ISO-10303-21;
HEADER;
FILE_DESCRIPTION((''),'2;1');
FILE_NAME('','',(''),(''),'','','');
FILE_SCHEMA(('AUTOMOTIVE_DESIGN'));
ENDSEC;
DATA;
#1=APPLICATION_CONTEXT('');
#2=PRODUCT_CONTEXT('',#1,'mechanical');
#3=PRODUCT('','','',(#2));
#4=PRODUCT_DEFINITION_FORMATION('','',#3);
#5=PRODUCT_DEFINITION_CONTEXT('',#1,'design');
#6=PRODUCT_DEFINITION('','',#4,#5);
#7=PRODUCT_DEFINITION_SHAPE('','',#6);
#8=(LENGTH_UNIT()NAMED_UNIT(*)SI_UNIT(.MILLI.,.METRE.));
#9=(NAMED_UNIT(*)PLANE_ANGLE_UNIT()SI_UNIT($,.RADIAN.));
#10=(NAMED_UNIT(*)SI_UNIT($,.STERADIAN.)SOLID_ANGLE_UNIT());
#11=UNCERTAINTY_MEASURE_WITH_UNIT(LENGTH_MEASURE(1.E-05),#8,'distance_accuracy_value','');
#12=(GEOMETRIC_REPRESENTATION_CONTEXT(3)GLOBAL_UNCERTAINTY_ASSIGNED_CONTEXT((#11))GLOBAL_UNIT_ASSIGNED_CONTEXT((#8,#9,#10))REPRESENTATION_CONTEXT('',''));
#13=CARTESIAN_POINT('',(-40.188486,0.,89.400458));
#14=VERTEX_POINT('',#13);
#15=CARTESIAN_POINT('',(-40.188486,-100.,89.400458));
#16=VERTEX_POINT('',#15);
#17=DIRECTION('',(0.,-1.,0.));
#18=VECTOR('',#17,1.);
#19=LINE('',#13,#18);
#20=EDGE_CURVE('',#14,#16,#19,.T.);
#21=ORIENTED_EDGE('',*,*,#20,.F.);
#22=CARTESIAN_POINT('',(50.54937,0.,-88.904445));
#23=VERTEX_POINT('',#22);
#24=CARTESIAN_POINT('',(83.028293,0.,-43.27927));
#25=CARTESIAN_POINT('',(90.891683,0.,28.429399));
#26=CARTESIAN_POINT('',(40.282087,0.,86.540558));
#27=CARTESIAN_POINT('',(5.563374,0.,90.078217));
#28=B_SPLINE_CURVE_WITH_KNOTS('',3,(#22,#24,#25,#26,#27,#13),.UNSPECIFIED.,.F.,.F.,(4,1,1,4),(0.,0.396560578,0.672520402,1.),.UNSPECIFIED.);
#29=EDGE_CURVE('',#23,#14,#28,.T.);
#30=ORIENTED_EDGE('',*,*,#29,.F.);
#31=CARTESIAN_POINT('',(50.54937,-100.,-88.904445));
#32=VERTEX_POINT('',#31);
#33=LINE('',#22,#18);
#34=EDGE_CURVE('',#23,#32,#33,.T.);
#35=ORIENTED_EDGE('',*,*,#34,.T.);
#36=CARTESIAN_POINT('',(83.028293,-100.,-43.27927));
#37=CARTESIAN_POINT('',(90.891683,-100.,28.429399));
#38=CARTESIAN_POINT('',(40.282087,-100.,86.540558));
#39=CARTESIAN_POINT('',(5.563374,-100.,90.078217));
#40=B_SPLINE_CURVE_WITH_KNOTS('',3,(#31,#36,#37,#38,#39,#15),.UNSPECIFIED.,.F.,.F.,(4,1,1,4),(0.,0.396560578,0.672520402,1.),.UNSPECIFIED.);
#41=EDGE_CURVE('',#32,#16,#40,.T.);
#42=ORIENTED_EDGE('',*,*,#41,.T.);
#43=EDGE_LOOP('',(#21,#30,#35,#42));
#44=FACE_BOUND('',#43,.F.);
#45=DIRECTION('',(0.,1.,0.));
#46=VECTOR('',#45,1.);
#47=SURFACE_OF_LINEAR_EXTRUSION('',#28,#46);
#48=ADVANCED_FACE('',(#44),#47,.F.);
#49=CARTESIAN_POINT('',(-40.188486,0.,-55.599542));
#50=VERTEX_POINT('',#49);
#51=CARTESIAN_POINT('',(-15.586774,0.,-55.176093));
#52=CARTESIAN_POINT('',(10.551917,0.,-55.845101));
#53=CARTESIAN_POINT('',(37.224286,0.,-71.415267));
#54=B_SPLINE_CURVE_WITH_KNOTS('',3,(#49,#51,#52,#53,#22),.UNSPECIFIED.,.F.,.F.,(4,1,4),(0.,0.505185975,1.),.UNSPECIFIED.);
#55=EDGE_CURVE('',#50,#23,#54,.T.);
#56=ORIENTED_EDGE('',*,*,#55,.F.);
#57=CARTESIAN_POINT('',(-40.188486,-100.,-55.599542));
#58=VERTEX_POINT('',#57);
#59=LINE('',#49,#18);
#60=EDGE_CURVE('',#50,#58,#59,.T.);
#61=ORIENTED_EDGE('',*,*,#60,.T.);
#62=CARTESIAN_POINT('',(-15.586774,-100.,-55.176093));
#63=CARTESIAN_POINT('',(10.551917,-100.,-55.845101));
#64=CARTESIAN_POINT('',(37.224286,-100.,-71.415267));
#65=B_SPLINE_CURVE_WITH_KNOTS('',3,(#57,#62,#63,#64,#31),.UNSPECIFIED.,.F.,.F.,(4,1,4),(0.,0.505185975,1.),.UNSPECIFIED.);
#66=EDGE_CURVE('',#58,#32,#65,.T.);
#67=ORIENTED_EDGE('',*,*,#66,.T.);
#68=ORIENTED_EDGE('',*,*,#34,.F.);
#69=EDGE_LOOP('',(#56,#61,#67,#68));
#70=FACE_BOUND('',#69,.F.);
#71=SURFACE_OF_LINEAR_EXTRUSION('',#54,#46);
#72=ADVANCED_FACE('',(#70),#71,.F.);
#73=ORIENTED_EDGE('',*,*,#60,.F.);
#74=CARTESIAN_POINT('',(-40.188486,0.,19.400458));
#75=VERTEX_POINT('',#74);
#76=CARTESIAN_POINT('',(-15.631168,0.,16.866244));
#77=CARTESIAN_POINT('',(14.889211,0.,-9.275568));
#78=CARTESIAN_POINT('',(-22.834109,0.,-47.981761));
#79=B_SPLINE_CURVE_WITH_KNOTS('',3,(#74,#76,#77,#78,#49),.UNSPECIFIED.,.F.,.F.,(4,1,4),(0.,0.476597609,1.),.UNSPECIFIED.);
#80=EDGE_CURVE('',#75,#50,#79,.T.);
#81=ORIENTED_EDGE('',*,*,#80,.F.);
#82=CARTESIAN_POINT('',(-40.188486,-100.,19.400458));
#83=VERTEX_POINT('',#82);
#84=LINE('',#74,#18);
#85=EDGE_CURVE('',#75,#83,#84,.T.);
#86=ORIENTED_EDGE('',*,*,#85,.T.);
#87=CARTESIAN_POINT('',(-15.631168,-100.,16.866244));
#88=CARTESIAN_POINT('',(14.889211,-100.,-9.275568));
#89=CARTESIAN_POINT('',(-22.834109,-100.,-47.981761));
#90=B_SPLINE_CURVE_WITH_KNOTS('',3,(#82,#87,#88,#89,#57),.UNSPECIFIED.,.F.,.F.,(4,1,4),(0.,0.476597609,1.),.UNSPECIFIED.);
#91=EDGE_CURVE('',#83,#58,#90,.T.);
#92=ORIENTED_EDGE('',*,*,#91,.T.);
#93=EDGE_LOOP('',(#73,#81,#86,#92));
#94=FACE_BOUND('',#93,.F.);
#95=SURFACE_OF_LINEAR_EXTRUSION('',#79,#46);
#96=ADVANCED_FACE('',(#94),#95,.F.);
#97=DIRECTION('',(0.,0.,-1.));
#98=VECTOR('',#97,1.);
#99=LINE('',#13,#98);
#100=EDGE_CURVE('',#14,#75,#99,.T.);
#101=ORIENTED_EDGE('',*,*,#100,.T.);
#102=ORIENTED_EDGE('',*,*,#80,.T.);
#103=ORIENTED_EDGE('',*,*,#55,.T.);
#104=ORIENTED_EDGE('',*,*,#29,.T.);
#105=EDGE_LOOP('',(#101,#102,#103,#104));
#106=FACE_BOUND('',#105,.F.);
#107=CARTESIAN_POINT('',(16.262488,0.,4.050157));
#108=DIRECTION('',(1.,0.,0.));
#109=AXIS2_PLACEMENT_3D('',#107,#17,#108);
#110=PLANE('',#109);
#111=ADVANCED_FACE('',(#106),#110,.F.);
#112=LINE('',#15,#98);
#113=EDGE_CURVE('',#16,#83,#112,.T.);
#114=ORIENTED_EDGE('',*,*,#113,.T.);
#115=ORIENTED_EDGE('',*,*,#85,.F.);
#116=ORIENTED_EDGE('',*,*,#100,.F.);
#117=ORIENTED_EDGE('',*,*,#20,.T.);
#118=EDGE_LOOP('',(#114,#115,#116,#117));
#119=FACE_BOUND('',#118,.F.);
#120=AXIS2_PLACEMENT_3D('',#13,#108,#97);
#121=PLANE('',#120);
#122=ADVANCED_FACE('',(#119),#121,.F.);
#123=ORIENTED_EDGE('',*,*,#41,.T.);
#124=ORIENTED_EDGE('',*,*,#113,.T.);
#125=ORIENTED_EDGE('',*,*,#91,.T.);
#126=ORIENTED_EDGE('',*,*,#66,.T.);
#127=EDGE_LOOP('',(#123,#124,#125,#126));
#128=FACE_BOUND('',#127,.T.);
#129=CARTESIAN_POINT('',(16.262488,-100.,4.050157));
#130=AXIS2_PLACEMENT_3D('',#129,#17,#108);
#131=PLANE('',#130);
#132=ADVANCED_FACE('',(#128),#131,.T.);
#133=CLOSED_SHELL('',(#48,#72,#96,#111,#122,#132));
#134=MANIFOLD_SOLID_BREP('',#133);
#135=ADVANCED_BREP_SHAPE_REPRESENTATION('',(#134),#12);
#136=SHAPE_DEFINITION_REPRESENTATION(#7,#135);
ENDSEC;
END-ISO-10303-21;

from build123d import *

# Parameters (mm, degrees)
F1_DEPTH = 100


with BuildPart() as f1:
    # F0 (on Front) → F1 (new body)
    with BuildSketch(Plane.XZ):
        with BuildLine():
            Line((-40.1884864724, 89.4004583034), (-40.1884864724, 19.4004583034))
            add(Edge.make_bspline(
                [(-40.1884864724, 19.4004583034), (-15.6311679339, 16.8662443618), (14.8892106936, -9.2755684263), (-22.8341085156, -47.9817610561), (-40.1884864724, -55.5995416966)],
                knots=[0, 0, 0, 0, 0.4765976088, 1, 1, 1, 1], degree=3))
            add(Edge.make_bspline(
                [(-40.1884864724, -55.5995416966), (-15.5867741706, -55.1760925494), (10.5519173859, -55.8451014856), (37.2242858644, -71.4152674762), (50.5493704522, -88.9044446078)],
                knots=[0, 0, 0, 0, 0.5051859746, 1, 1, 1, 1], degree=3))
            add(Edge.make_bspline(
                [(50.5493704522, -88.9044446078), (83.028293229, -43.2792702034), (90.8916825969, 28.4293990994), (40.2820870114, 86.5405581899), (5.5633742195, 90.0782171685), (-40.1884864724, 89.4004583034)],
                knots=[0, 0, 0, 0, 0.3965605783, 0.6725204019, 1, 1, 1, 1], degree=3))
        make_face()
    extrude(amount=F1_DEPTH)


solid = f1.part
